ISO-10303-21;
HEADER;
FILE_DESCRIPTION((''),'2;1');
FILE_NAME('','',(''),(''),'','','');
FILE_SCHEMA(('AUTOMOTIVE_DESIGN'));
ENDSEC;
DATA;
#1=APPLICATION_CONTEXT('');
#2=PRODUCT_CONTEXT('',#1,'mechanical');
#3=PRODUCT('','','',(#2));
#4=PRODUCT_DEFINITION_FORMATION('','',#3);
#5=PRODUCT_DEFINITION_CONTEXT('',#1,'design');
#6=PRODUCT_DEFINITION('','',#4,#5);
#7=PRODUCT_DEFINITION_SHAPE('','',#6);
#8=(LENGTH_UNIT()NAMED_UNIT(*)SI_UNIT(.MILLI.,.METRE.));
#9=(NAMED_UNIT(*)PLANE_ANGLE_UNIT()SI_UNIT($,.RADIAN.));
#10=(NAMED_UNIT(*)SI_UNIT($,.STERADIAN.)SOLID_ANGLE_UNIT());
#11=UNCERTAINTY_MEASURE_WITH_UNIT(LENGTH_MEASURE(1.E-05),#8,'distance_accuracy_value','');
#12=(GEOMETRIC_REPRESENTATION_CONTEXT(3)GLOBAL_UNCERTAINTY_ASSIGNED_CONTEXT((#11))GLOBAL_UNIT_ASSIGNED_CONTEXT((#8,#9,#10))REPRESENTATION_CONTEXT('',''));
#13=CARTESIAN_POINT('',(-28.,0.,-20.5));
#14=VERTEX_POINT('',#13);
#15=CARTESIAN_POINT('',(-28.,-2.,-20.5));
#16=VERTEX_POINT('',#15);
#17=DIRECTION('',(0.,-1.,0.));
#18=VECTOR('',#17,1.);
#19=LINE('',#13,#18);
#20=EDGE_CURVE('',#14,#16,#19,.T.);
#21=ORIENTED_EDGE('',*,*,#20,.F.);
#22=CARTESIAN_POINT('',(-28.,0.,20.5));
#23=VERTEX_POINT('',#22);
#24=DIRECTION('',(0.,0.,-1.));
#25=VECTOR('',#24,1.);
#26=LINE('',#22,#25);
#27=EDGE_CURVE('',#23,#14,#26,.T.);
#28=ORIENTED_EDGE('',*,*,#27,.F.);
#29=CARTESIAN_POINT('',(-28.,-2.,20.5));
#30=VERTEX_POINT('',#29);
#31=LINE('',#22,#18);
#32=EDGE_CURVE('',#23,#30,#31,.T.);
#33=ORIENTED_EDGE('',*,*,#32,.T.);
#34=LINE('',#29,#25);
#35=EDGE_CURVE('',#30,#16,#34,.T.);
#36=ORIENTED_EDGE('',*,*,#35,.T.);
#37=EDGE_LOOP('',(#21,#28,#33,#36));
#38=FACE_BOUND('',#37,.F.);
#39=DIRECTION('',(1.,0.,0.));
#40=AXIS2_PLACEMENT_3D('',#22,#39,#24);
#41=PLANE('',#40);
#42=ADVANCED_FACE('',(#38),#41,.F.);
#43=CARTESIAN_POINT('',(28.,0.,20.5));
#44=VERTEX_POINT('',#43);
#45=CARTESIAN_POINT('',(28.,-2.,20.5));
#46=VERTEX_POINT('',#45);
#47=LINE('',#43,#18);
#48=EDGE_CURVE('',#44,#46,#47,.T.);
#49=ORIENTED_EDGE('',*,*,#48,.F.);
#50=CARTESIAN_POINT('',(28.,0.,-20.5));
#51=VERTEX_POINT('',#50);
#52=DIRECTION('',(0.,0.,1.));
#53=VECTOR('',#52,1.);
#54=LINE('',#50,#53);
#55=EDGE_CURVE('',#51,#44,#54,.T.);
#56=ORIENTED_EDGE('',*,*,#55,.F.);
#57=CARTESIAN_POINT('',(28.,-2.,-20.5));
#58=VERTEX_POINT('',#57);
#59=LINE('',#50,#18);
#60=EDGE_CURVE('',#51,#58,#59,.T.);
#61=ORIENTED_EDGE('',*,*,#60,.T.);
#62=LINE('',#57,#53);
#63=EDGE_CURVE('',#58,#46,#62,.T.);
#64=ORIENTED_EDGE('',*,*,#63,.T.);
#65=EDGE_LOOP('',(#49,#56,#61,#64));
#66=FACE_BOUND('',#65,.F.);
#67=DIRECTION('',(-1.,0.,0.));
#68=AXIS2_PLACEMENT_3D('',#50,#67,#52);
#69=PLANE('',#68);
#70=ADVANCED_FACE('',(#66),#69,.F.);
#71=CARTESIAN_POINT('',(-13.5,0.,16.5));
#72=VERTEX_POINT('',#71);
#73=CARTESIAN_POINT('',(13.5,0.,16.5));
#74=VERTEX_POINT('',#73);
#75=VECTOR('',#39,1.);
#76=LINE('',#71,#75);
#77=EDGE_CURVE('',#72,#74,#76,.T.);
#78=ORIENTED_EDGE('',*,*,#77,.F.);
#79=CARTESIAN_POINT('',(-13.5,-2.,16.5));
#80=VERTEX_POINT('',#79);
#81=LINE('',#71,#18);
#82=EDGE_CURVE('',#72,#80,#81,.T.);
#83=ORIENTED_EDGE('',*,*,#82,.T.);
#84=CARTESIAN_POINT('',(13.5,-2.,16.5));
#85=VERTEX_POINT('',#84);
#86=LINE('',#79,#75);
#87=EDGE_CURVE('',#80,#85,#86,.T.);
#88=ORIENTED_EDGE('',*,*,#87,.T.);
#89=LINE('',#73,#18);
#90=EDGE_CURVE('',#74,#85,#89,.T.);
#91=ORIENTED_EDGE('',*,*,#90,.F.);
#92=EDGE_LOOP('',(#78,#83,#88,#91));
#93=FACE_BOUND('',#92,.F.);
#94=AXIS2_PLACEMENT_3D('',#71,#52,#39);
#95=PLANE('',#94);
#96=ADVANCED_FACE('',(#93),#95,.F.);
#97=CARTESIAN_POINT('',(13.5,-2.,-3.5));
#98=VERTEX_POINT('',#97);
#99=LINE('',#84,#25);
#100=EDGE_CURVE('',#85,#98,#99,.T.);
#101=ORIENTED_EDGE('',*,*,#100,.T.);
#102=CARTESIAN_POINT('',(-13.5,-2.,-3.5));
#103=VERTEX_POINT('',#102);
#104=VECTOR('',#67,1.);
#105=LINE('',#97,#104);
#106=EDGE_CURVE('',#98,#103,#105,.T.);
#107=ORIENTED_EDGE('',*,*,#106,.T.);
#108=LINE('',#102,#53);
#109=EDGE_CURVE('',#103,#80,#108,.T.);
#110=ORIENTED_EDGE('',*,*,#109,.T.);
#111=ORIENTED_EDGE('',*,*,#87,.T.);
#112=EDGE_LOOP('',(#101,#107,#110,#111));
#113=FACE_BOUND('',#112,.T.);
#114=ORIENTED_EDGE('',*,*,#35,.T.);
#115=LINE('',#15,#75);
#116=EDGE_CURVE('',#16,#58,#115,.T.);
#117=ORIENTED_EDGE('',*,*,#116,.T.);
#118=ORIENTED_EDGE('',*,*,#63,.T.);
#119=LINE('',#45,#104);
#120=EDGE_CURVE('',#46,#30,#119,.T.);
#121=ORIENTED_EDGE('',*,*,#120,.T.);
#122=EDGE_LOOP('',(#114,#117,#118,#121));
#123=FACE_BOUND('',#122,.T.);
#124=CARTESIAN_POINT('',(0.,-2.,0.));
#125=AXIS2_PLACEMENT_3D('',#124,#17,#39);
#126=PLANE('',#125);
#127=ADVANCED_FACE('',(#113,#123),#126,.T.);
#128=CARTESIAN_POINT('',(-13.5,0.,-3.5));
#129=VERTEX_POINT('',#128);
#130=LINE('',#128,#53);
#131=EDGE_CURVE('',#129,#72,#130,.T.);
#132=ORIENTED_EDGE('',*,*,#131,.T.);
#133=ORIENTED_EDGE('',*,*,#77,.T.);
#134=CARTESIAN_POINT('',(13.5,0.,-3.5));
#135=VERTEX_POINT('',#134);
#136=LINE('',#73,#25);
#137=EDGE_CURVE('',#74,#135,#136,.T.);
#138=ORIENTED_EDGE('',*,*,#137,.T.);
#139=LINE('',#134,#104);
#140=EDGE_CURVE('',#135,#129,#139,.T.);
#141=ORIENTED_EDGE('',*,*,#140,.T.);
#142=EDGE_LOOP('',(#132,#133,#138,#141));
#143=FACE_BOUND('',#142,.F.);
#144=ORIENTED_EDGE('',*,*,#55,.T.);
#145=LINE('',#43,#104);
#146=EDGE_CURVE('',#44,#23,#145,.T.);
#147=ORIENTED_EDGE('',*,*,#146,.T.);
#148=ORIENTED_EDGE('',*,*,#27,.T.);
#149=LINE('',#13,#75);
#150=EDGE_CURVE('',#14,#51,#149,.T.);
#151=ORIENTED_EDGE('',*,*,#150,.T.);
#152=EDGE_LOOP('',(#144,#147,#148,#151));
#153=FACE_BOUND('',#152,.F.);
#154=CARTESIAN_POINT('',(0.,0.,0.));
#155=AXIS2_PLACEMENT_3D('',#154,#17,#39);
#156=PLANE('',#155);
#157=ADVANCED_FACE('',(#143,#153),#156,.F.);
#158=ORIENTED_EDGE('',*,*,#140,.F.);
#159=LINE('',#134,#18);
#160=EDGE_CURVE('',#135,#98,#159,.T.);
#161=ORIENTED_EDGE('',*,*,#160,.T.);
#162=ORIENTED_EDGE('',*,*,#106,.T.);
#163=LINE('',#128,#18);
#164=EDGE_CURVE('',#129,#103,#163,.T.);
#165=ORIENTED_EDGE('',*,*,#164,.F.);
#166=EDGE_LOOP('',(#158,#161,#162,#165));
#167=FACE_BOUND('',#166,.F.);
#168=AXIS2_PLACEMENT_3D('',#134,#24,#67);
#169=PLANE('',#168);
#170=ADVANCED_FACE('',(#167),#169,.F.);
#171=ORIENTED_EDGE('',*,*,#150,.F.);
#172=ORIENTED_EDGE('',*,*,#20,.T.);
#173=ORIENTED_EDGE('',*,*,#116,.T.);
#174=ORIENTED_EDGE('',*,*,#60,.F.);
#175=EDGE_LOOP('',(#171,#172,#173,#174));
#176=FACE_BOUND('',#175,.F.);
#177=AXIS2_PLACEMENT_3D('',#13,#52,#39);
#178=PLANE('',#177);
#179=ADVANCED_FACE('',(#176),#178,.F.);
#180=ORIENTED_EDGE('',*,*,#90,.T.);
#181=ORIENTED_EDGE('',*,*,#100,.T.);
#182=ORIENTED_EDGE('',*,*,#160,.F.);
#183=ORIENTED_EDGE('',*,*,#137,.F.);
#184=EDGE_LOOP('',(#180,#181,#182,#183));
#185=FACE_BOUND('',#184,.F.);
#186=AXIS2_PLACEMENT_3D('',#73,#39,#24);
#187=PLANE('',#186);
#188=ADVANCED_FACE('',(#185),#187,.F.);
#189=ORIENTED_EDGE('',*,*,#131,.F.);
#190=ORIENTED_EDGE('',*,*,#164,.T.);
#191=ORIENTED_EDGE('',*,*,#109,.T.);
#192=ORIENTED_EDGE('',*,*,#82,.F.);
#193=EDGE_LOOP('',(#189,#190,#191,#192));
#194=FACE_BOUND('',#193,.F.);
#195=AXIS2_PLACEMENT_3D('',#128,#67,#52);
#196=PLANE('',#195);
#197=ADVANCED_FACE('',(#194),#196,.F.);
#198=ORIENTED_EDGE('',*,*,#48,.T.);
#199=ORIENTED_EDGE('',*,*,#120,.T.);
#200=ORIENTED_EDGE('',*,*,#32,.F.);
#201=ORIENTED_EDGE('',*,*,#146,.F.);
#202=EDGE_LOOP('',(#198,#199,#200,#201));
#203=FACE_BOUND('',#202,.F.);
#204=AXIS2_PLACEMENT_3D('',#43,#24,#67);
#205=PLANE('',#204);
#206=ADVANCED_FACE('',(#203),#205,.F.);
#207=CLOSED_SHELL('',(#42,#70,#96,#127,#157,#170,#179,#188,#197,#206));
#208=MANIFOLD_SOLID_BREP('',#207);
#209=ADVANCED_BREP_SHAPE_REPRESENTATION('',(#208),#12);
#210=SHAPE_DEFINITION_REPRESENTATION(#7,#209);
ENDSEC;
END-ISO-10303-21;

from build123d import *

# Parameters (mm, degrees)
F1_DEPTH = 2


with BuildPart() as f1:
    # F0 (on Front) → F1 (new body)
    with BuildSketch(Plane.XZ):
        Polygon((28, 16.5), (28, 20.5), (-28, 20.5), (-28, 16.5), (-28, -3.5), (-28, -20.5), (28, -20.5), (28, -3.5), align=None)
        Polygon((-13.5, 16.5), (13.5, 16.5), (13.5, 1), (13.5, -3.5), (-13.5, -3.5), (-13.5, 1), align=None, mode=Mode.SUBTRACT)
    extrude(amount=F1_DEPTH)


solid = f1.part
